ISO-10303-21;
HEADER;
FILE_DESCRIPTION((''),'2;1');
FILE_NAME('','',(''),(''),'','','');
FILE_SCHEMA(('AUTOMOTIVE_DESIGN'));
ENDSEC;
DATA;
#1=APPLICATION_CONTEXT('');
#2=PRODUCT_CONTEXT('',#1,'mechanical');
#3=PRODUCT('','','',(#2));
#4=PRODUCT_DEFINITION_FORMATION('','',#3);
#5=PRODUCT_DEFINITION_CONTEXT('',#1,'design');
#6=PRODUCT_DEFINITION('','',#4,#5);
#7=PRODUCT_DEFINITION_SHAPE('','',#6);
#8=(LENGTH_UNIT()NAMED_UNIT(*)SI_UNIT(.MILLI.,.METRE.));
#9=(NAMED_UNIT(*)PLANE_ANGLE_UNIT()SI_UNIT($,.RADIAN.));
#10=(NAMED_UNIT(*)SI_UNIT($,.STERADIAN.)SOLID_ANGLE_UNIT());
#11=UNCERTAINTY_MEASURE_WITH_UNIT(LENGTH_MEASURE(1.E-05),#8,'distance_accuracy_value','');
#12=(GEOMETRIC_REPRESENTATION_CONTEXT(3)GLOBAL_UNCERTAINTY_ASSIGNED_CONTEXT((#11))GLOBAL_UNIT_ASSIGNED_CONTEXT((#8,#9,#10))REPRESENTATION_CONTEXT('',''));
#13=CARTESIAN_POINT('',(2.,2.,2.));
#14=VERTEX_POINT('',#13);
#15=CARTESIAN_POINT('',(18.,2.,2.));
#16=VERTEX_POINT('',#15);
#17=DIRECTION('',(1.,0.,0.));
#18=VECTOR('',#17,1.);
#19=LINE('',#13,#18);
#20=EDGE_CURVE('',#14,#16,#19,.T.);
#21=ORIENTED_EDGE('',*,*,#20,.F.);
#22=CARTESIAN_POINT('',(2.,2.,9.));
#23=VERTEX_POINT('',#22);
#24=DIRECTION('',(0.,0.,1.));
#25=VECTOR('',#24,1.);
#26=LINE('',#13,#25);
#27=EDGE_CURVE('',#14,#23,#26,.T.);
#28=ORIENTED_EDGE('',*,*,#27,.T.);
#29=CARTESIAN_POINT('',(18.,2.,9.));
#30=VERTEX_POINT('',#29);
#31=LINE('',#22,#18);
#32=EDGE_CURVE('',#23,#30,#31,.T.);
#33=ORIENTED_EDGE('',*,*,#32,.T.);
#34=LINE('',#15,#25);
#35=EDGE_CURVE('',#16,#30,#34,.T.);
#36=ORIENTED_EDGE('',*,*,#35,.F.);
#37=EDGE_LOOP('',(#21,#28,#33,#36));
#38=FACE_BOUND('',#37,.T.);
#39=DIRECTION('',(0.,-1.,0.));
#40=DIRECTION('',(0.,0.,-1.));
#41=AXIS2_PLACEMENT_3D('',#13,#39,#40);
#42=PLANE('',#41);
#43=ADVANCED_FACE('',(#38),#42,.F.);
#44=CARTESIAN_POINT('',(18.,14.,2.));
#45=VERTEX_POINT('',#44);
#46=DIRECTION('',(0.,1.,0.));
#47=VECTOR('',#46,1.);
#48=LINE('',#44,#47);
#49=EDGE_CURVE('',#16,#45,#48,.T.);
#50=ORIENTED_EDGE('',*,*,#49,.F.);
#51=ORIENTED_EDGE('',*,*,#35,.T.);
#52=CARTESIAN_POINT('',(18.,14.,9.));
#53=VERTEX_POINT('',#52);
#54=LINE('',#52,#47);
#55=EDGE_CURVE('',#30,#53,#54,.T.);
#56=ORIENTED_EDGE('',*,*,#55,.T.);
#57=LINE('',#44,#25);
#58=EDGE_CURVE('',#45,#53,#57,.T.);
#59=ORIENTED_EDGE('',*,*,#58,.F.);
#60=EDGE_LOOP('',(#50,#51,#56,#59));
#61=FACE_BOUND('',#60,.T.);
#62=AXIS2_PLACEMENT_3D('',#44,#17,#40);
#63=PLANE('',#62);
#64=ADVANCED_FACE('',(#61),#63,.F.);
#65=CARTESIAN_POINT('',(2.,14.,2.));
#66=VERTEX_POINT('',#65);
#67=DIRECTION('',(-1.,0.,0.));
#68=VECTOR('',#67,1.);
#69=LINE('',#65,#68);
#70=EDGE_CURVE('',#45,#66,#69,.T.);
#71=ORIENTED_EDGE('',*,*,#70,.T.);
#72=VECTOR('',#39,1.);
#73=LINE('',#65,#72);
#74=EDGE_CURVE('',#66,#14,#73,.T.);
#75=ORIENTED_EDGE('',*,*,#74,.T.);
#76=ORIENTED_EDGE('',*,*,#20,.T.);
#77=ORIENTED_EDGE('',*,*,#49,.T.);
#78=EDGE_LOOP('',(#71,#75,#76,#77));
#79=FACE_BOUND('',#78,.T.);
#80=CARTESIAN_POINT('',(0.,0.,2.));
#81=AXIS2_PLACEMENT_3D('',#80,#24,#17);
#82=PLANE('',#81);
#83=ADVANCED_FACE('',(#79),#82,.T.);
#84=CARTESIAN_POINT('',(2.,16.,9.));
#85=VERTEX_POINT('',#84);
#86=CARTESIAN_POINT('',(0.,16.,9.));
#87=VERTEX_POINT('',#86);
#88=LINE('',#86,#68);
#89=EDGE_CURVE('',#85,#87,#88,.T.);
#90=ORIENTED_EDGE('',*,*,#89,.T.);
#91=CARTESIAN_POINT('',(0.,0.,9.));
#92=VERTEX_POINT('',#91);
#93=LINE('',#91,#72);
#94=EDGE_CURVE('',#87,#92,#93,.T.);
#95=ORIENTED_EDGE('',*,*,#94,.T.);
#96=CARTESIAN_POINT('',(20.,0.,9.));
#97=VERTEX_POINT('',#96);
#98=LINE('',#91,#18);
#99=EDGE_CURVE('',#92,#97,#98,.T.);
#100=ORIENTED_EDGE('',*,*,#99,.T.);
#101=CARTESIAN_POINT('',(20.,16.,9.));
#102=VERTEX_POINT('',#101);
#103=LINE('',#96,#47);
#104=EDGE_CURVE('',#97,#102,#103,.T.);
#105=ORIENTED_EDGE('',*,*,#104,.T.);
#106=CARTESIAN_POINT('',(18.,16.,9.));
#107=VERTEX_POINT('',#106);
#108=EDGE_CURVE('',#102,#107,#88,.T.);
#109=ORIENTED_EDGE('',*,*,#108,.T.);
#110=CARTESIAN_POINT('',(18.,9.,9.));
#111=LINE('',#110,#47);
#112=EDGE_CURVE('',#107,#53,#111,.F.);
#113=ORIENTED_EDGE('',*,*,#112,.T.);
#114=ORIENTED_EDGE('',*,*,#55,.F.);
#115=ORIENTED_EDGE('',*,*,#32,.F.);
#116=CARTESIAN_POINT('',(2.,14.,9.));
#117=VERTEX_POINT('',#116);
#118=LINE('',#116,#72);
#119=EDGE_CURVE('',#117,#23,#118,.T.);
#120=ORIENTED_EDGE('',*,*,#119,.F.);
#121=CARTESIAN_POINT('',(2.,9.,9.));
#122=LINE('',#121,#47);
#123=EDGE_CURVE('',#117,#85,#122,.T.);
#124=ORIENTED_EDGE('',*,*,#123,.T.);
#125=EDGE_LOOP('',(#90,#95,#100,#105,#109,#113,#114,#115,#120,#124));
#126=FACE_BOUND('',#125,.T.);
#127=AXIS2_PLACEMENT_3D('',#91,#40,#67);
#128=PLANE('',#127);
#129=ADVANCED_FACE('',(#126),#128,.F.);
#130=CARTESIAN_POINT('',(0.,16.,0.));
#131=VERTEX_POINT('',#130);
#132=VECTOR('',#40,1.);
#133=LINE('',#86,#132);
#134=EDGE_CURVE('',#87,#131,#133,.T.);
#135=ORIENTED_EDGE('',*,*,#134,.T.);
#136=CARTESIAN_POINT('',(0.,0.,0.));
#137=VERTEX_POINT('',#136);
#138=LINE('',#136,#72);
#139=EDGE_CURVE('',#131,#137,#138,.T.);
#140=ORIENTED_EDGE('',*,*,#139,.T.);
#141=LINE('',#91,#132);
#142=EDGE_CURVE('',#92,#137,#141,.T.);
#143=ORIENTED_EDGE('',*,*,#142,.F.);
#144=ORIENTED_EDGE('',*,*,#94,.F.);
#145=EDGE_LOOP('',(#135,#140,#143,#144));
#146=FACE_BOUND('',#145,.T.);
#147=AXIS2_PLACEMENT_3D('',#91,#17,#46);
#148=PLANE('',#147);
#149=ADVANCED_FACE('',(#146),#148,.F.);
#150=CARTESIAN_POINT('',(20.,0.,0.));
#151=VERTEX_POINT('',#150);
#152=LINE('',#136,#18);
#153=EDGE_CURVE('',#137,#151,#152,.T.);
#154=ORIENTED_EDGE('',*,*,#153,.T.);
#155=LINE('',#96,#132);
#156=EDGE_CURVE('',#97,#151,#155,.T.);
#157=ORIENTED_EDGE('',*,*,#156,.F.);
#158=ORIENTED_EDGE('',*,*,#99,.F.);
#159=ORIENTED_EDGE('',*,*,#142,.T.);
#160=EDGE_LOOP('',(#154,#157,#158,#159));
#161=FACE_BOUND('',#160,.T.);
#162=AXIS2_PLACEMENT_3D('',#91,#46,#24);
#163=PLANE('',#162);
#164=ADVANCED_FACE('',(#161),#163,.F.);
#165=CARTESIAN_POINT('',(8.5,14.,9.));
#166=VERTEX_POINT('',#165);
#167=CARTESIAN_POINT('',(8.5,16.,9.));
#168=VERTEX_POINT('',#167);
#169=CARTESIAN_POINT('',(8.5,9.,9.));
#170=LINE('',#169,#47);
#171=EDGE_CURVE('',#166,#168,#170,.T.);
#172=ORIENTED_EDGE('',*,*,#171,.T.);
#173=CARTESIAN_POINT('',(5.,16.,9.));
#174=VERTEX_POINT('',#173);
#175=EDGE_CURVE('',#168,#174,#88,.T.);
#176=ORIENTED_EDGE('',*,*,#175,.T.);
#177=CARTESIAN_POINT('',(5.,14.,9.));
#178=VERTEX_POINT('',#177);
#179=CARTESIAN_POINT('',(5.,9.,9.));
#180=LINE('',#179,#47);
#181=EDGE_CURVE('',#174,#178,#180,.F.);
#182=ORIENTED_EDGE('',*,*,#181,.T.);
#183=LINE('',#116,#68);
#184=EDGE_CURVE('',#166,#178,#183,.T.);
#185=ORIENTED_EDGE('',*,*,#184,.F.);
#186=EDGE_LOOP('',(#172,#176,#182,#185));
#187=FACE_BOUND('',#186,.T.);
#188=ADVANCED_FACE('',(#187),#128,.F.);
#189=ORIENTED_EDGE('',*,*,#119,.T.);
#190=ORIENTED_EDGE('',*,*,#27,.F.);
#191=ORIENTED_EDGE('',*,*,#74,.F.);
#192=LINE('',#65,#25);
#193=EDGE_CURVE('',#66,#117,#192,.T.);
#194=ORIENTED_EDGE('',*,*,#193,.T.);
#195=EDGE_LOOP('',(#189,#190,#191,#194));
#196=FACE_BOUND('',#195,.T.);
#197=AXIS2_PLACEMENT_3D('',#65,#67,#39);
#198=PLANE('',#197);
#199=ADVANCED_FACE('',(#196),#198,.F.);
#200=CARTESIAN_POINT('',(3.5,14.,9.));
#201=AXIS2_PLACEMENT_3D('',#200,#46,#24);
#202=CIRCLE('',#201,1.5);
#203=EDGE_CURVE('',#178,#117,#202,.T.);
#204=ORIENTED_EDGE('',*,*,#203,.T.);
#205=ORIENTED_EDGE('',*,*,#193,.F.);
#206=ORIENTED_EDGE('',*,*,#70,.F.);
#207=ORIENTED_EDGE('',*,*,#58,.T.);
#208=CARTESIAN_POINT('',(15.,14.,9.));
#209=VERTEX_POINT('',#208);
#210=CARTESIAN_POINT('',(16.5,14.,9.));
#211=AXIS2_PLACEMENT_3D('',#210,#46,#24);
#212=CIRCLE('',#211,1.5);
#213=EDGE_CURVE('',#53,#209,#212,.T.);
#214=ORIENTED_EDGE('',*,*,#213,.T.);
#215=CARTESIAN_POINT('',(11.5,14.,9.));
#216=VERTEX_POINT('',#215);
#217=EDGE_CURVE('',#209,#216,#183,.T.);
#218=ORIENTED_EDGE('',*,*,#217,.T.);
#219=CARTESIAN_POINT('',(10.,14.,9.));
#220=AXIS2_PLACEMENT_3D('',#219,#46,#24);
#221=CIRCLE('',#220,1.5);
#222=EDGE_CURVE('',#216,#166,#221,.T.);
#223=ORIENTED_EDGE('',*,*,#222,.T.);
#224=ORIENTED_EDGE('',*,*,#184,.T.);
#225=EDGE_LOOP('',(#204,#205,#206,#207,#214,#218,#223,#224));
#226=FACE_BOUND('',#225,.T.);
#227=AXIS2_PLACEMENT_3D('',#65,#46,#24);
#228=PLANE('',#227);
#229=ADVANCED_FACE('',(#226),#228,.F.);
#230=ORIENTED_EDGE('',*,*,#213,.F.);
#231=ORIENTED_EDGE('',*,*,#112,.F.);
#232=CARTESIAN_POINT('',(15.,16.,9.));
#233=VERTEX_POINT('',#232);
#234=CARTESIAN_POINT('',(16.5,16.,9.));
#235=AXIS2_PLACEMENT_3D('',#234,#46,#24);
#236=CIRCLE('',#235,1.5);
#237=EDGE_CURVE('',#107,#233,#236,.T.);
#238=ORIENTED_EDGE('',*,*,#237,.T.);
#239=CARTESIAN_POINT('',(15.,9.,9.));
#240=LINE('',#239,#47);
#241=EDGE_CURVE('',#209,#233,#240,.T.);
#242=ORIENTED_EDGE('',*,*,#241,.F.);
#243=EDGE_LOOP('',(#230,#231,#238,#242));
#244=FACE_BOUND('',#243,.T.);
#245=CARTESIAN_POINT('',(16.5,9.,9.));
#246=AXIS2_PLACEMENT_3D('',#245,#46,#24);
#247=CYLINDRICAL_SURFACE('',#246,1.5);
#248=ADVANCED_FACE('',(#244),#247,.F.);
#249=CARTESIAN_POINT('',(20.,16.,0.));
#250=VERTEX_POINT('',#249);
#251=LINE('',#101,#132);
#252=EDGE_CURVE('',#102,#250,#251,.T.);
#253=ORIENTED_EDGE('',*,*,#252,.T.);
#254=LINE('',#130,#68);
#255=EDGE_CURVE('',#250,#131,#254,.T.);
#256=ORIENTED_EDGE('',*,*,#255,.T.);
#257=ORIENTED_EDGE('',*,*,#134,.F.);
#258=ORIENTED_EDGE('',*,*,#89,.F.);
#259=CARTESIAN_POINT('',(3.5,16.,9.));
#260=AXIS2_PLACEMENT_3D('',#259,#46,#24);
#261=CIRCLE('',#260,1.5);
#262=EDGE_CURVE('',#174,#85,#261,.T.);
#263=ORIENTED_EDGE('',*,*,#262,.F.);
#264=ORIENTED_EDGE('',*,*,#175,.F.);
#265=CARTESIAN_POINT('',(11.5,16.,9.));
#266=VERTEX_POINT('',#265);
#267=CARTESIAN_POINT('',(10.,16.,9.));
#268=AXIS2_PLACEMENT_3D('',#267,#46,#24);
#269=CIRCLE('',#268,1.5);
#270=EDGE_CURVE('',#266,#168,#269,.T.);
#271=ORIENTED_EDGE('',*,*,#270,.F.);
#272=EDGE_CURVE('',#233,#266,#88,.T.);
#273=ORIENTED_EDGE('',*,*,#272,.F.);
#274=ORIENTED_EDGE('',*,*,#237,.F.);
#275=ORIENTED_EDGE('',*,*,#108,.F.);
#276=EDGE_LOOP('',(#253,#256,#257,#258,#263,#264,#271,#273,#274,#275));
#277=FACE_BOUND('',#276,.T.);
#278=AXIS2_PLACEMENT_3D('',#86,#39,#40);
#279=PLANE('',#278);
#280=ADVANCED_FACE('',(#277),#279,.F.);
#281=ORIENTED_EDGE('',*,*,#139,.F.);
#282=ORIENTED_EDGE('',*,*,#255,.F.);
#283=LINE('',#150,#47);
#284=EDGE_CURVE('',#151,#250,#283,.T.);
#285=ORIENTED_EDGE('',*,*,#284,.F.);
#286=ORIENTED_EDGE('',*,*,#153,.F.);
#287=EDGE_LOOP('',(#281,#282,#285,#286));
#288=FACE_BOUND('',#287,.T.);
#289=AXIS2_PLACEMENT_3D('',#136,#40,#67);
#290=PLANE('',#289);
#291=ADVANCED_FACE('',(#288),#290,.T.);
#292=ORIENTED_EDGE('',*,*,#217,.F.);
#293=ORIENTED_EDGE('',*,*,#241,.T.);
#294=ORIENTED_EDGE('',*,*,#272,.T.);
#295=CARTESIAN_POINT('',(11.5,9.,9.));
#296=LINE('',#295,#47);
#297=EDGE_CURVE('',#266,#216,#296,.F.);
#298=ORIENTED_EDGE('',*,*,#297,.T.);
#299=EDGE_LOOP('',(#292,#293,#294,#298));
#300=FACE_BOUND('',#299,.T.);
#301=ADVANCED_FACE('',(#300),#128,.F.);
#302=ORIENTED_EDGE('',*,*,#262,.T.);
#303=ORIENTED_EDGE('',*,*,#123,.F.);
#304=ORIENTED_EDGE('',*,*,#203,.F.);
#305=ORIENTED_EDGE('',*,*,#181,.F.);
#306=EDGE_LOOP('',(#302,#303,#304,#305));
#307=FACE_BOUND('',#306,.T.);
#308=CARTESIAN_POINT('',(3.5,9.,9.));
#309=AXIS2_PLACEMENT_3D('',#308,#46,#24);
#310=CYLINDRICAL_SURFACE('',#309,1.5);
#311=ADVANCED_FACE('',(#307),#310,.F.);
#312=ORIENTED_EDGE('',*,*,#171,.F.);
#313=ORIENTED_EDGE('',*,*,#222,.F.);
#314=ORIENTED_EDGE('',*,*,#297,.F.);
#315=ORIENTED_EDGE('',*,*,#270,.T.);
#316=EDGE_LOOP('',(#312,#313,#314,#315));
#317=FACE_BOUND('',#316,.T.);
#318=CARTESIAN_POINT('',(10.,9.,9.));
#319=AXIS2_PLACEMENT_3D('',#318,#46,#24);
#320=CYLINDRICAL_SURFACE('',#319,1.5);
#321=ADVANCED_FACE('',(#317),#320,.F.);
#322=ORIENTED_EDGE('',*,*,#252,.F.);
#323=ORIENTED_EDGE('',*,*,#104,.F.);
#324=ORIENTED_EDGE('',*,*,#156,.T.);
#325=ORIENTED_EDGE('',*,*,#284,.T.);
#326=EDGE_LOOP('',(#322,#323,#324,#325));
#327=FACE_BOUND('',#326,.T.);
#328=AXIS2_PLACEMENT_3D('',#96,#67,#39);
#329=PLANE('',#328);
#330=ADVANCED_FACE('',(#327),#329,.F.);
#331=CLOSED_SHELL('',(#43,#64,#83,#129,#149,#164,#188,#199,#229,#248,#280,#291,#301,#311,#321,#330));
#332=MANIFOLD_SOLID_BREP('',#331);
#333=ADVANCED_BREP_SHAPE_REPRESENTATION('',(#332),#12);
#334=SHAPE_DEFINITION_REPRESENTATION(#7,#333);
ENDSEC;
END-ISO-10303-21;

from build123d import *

# Parameters (mm, degrees)
SKETCH1_W           = 20
SKETCH1_H           = 16
BOSS_EXTRUDE1_DEPTH = 9
SKETCH2_W           = 16
SKETCH2_H           = 12
CUT_EXTRUDE1_DEPTH  = 7
SKETCH4_R           = 1.5
CUT_EXTRUDE3_DEPTH  = 7


with BuildPart() as part:
    # Sketch1 → Boss-Extrude1 (new body)
    with BuildSketch(Plane.XY):
        with Locations((10, 8)):
            Rectangle(SKETCH1_W, SKETCH1_H)
    extrude(amount=BOSS_EXTRUDE1_DEPTH)

    # Sketch2 → Cut-Extrude1 (cut)
    with BuildSketch(Plane.XY.offset(9)):
        with Locations((10, 8)):
            Rectangle(SKETCH2_W, SKETCH2_H)
    extrude(amount=-CUT_EXTRUDE1_DEPTH, mode=Mode.SUBTRACT)

    # Sketch4 → Cut-Extrude3 (cut)
    with BuildSketch(Plane(origin=(0, 16, 0), x_dir=(1, 0, 0), z_dir=(0, 1, 0))):
        with Locations((3.5, -9)):
            Circle(SKETCH4_R)
        with Locations((10, -9)):
            Circle(SKETCH4_R)
        with Locations((16.5, -9)):
            Circle(SKETCH4_R)
    extrude(amount=-CUT_EXTRUDE3_DEPTH, mode=Mode.SUBTRACT)


solid = part.part
